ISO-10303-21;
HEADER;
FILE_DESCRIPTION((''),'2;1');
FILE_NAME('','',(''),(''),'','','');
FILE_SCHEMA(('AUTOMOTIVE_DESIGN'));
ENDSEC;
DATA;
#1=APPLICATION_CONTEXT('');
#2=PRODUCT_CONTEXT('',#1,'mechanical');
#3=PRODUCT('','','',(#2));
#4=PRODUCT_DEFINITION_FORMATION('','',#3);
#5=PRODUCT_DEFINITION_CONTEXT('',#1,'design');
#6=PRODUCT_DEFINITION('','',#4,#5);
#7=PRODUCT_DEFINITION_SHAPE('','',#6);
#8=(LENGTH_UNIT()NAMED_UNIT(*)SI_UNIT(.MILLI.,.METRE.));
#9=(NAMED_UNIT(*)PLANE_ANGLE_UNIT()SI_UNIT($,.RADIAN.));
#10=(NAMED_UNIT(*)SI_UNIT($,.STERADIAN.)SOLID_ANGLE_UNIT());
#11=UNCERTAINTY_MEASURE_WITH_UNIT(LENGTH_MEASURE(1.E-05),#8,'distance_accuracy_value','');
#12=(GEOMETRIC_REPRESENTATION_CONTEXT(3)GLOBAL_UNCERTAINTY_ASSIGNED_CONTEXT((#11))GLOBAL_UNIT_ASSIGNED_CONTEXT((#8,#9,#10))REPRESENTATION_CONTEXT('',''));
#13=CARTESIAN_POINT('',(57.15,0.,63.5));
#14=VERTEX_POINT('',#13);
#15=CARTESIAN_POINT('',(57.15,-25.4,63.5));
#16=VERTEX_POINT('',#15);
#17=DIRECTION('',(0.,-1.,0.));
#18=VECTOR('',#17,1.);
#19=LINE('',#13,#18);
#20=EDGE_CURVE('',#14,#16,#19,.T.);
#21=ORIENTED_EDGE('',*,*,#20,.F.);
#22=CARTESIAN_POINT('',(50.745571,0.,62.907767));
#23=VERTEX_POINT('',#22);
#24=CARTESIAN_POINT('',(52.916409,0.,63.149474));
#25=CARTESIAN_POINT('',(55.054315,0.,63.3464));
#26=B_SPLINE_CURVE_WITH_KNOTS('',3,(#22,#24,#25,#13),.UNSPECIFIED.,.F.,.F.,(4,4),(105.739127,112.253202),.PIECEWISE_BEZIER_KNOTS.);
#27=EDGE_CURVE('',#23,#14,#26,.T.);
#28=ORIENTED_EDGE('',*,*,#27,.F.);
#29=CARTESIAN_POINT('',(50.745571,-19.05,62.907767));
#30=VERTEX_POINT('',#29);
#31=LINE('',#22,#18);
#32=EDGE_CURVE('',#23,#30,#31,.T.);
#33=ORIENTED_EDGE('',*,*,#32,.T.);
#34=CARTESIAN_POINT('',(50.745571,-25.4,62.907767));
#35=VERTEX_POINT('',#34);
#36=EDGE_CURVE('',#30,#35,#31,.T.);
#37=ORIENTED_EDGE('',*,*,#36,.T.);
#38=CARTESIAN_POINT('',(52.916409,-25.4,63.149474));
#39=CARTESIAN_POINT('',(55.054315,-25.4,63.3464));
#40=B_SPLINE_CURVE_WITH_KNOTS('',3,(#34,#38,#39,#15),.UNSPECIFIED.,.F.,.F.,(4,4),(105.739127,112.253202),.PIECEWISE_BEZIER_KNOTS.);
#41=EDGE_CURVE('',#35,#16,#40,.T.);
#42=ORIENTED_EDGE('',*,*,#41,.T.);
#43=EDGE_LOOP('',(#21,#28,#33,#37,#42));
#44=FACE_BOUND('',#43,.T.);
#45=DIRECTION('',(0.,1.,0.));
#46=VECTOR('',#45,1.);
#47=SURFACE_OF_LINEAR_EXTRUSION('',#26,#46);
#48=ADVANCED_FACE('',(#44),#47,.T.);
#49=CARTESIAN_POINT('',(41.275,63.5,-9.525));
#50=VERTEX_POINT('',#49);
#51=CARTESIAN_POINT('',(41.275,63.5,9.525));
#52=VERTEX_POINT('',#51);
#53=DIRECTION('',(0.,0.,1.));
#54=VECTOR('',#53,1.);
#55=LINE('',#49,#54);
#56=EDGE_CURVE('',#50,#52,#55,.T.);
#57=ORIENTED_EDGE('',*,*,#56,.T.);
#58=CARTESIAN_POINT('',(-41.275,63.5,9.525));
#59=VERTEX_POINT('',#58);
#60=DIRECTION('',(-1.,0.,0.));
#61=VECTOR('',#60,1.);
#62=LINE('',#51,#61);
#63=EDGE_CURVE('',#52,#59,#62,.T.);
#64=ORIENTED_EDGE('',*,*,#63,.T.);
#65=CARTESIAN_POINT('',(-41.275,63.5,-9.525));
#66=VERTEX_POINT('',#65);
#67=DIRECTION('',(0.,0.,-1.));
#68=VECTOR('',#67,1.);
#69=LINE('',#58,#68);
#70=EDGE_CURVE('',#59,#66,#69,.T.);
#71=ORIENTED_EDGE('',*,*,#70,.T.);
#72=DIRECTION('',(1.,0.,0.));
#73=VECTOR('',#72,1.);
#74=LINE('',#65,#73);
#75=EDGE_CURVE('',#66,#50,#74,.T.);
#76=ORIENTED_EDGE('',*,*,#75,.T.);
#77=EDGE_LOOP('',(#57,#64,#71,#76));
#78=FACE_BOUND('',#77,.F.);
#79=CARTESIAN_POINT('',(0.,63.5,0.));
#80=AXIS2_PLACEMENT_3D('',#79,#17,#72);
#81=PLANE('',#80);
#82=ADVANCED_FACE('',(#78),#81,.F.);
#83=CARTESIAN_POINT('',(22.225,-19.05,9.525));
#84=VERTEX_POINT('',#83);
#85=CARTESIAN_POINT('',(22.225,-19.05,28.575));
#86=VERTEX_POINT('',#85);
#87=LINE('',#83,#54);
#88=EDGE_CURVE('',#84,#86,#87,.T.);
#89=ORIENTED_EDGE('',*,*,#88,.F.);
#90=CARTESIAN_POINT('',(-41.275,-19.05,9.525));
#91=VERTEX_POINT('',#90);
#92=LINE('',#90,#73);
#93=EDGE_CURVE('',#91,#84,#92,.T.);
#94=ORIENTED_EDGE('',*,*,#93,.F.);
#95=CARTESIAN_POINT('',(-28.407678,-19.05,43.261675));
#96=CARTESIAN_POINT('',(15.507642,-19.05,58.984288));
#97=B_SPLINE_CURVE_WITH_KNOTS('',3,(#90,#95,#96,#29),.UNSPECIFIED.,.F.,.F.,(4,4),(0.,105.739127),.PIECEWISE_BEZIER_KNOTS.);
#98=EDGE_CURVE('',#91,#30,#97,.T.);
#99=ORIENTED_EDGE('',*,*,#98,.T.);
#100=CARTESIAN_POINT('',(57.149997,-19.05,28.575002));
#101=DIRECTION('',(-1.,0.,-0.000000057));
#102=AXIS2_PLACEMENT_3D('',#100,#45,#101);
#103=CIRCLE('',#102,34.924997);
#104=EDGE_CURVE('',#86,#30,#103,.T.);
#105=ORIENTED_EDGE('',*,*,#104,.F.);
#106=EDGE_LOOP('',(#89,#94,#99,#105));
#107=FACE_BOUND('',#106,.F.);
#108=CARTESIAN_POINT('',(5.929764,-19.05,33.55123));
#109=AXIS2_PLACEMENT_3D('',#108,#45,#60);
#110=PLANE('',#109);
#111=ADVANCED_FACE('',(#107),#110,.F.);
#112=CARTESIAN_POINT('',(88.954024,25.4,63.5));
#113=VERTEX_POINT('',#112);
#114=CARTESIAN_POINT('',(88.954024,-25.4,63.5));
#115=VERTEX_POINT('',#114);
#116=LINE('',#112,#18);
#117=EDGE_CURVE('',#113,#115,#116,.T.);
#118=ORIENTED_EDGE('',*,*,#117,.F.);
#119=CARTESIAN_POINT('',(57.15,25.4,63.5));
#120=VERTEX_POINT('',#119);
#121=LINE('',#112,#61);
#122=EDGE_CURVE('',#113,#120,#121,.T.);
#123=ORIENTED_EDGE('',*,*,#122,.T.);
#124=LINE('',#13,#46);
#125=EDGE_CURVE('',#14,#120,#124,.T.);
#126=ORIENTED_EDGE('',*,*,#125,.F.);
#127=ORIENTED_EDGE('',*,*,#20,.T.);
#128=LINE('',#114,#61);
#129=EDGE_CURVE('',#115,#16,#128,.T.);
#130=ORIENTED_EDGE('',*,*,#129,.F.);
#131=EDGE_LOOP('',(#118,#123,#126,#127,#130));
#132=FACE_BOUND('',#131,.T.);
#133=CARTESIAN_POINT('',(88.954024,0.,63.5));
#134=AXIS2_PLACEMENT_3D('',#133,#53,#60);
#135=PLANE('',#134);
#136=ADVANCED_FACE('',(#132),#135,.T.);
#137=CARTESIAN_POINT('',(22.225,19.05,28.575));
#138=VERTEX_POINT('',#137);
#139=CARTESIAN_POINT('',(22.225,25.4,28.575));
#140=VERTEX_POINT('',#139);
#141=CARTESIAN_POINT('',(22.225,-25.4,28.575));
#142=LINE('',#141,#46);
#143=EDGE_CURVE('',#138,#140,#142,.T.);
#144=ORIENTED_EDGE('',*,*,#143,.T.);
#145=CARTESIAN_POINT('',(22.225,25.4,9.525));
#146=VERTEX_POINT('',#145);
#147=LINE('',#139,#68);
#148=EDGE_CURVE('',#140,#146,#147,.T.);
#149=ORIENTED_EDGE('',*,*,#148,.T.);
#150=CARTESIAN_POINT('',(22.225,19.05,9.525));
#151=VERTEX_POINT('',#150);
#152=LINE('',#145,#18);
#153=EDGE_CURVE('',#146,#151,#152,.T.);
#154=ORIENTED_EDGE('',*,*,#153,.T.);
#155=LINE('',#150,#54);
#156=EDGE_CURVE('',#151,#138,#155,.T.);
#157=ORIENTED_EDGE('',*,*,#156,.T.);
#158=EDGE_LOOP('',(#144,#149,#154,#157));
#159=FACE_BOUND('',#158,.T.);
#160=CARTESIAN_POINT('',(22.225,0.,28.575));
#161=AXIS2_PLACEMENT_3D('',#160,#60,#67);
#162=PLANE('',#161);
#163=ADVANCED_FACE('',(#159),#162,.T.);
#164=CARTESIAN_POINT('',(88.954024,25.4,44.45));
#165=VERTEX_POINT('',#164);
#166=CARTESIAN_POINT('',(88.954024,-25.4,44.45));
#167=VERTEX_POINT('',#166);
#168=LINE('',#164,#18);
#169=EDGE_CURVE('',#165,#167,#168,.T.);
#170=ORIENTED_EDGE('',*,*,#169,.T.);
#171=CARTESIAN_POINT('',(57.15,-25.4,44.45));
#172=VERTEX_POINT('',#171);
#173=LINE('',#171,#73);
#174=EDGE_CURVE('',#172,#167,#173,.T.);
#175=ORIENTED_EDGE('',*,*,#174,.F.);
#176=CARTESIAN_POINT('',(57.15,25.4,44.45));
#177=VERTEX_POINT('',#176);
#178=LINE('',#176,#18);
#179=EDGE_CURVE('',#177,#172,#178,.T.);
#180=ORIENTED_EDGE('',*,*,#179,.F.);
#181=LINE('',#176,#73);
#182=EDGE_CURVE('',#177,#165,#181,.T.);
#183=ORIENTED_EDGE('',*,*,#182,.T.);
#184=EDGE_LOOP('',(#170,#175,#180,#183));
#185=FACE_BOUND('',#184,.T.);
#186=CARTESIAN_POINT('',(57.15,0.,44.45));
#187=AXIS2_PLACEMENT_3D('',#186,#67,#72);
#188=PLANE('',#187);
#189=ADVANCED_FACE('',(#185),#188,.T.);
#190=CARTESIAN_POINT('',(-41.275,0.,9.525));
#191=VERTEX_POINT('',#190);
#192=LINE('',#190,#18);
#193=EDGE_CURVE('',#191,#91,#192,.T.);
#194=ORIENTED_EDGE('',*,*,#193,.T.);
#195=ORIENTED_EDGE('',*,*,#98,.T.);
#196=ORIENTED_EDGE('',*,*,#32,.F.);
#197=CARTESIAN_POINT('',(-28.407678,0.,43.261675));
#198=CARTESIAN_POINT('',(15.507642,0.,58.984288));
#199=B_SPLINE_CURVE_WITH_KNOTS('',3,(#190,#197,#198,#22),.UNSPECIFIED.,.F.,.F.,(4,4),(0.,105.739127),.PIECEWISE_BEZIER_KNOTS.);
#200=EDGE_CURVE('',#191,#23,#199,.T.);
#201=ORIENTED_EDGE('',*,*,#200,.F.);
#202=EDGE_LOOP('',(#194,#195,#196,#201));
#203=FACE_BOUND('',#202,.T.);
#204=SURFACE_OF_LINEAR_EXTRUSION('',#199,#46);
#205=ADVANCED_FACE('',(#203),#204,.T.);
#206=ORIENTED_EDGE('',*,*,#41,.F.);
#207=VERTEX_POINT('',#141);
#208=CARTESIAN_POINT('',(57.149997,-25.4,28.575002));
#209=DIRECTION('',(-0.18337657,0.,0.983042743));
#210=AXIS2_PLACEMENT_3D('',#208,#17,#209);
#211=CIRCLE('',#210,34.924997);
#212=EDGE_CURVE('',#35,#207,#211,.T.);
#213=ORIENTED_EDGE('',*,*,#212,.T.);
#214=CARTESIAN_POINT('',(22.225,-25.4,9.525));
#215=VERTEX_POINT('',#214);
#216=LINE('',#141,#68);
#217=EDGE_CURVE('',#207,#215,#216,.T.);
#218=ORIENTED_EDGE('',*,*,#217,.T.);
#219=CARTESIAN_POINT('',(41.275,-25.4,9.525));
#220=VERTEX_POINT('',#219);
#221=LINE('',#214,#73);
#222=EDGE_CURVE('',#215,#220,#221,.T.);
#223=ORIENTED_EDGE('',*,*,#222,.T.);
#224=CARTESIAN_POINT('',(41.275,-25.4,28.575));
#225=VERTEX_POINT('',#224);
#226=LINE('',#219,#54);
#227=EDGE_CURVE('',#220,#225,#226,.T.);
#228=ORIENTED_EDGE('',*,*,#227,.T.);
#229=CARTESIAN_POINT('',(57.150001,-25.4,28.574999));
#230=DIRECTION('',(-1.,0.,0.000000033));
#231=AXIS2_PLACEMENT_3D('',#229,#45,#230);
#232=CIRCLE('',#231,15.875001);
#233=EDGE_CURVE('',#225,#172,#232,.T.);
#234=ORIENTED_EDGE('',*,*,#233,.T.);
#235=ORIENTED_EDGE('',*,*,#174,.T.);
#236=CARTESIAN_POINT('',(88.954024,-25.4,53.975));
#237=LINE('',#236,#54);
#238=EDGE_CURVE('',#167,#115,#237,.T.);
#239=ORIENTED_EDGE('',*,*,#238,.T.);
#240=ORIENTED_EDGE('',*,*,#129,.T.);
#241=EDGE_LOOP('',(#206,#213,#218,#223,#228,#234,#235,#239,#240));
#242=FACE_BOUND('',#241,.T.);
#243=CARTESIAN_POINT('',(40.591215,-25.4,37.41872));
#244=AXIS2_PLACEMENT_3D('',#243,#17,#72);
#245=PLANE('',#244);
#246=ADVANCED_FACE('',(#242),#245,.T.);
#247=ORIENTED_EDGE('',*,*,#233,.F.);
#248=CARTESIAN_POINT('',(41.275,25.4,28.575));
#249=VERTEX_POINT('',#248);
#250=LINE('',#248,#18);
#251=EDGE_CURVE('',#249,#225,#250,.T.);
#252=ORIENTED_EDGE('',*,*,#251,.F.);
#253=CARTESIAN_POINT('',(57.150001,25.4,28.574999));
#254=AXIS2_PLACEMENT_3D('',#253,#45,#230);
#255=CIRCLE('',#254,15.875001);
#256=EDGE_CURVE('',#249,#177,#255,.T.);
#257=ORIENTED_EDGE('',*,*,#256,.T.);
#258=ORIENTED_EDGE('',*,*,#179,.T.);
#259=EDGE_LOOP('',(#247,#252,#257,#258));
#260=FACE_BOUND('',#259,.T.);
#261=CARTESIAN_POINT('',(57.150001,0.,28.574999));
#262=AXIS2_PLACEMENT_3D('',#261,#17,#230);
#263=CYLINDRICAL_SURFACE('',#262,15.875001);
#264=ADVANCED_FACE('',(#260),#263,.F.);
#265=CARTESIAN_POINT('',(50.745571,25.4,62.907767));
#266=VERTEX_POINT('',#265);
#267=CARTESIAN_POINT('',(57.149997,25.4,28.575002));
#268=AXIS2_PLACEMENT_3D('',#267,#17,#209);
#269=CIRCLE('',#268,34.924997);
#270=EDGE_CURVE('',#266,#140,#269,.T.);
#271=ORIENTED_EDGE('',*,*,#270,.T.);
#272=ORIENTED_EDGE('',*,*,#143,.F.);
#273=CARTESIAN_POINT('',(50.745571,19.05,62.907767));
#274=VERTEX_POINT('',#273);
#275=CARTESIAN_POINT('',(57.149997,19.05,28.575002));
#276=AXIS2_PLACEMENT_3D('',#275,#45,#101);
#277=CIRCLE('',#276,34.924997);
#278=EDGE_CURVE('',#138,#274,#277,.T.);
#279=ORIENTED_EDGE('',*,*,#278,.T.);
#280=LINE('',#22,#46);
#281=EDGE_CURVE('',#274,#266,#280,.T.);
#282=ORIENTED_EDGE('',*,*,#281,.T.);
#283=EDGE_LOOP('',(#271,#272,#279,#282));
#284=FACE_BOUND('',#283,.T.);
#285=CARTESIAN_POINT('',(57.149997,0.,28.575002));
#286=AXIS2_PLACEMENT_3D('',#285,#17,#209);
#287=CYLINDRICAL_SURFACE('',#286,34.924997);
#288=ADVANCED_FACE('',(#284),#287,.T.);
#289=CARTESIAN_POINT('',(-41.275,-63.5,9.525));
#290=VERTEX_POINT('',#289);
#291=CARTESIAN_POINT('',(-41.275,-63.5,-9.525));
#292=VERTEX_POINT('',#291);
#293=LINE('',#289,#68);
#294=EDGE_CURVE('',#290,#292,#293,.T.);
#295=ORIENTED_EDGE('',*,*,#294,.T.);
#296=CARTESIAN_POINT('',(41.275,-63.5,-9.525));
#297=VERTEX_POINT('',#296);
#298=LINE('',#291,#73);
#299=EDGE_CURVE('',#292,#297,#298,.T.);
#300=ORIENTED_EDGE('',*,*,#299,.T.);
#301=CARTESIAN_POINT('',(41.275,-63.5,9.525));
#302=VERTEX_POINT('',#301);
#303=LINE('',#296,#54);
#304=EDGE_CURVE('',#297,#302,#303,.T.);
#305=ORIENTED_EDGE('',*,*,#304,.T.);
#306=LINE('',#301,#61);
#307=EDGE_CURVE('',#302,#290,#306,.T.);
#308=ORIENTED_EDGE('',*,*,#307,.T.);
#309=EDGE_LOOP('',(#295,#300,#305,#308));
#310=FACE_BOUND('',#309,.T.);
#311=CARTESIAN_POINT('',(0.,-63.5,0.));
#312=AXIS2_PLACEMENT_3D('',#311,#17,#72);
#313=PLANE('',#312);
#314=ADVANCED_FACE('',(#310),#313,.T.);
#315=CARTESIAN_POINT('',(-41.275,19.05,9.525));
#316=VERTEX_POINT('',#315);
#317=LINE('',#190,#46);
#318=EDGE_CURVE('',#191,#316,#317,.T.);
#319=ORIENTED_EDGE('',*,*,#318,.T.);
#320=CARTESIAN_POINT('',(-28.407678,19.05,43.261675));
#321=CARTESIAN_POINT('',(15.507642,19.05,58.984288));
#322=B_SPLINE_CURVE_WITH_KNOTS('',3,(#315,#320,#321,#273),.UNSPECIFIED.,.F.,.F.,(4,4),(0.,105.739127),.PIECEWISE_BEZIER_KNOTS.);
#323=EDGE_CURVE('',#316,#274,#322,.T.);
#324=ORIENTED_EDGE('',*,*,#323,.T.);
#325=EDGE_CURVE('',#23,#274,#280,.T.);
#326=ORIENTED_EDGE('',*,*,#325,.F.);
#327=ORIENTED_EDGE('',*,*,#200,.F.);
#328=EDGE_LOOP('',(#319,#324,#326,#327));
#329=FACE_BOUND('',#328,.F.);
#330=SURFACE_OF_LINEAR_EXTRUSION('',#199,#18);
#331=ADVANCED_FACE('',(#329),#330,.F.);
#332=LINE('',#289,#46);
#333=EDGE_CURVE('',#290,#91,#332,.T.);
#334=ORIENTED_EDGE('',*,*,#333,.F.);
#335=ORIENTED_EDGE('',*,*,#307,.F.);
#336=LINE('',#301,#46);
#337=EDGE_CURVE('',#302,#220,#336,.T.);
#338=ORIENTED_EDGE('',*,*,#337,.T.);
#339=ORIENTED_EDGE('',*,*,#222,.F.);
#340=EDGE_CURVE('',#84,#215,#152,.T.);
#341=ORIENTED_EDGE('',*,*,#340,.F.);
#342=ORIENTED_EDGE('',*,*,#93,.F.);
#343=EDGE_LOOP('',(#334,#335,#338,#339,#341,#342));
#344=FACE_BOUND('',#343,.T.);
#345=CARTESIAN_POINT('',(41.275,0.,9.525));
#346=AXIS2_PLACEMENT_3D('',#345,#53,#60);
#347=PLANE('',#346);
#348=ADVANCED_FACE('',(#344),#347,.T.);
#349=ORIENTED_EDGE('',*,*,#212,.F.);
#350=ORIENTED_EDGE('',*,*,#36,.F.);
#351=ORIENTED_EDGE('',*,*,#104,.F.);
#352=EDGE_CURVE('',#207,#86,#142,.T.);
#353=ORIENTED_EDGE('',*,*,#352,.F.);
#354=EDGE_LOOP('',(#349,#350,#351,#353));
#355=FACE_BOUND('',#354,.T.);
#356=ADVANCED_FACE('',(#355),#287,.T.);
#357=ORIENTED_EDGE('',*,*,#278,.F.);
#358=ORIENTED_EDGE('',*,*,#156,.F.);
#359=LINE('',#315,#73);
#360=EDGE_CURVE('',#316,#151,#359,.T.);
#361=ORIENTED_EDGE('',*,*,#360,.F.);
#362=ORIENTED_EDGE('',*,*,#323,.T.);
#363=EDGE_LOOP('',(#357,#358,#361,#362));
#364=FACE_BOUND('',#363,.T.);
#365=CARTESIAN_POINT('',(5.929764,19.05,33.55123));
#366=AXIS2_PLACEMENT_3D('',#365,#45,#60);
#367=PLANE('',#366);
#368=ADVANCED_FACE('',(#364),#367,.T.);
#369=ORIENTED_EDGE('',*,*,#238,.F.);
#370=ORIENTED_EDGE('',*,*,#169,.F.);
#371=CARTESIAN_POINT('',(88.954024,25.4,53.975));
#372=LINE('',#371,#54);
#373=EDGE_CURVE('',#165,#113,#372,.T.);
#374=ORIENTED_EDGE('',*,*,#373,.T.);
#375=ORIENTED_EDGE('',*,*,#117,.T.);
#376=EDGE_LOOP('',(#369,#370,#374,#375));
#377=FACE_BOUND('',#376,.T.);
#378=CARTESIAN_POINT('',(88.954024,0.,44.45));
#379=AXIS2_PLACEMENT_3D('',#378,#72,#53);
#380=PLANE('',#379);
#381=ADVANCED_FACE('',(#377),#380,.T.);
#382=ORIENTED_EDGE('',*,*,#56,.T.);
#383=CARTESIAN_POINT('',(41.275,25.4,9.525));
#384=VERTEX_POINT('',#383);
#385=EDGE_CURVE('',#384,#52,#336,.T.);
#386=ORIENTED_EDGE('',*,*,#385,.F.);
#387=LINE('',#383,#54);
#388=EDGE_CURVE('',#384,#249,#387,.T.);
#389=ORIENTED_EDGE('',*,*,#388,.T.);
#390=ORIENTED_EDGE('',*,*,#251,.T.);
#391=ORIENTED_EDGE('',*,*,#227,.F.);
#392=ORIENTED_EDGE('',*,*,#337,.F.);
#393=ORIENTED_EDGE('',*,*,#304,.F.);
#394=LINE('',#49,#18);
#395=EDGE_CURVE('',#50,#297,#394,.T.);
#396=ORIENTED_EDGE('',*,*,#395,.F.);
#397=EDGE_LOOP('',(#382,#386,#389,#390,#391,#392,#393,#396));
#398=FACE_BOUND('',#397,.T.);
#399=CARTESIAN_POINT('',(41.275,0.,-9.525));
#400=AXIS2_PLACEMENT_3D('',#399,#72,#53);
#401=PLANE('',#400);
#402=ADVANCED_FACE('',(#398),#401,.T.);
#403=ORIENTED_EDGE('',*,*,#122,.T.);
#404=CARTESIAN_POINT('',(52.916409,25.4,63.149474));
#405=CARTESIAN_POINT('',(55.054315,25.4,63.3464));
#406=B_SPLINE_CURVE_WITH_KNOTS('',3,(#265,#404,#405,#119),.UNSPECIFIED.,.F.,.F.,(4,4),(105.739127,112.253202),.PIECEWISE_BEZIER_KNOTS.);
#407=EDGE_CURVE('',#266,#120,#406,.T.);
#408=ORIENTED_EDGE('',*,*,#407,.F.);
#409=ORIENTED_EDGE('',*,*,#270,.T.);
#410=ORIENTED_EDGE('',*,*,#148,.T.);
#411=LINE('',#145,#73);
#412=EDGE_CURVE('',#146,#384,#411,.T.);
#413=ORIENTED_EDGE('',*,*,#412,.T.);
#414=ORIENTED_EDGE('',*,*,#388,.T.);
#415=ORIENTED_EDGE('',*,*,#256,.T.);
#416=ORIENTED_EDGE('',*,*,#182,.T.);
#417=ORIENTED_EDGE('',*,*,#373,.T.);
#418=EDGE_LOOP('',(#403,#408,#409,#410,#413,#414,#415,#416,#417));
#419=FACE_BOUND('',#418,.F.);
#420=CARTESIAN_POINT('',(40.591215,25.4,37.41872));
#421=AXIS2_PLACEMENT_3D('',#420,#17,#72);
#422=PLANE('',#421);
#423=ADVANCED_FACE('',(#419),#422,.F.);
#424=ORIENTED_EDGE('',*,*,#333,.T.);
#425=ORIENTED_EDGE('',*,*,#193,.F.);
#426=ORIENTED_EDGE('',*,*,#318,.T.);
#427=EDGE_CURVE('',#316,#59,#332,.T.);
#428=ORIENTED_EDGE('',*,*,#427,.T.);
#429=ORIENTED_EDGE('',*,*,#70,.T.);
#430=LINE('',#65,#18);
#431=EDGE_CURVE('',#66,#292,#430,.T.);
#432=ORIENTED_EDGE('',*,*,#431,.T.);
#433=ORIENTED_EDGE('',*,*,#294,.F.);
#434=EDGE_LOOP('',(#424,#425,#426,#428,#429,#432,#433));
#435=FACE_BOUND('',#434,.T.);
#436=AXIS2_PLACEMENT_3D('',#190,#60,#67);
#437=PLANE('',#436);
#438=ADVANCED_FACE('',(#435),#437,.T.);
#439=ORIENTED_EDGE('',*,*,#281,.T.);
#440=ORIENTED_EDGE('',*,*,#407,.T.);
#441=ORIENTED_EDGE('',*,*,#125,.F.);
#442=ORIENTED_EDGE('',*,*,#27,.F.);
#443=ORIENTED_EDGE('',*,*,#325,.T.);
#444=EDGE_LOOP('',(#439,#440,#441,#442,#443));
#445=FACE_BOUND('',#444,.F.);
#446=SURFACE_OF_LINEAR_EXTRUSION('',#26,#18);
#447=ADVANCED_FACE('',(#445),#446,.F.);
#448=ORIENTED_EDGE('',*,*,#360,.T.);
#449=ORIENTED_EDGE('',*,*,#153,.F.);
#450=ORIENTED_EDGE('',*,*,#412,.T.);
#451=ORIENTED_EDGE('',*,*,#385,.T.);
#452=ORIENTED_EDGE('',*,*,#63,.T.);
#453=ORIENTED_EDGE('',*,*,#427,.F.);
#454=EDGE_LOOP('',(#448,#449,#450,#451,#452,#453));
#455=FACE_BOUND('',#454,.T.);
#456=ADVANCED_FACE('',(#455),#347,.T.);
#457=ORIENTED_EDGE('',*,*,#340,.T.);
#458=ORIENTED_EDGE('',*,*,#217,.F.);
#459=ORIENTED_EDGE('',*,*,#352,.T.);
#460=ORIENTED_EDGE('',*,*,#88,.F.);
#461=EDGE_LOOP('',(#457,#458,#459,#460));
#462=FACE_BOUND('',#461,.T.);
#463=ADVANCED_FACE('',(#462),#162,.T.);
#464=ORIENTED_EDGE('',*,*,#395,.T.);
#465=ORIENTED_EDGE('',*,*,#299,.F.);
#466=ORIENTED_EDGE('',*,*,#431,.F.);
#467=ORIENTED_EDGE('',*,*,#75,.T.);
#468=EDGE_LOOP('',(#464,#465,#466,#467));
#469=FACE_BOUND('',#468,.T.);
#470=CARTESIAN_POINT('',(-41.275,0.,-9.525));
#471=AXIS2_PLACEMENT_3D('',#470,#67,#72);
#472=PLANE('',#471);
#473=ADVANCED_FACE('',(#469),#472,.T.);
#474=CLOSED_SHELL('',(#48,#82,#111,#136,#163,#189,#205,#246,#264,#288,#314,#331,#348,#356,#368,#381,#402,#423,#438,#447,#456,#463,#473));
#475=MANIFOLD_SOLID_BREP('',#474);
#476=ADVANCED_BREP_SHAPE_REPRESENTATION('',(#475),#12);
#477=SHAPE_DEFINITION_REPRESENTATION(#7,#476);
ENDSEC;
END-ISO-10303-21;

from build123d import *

# Parameters (mm, degrees)
F1_DEPTH = 63.5
F0_W     = 26.390754
F0_H     = 19.05
F2_DEPTH = 25.4
F3_DEPTH = 19.05


with BuildPart() as f1:
    # F0 (on Front) → F1 (new body, symmetric)
    with BuildSketch(Plane.XZ):
        Polygon((22.225, 9.525), (-41.275, 9.525), (-41.275, -9.525), (41.275, -9.525), (41.275, 9.525), align=None)
    extrude(amount=F1_DEPTH, both=True)

    # F0 (on Front) → F2 (join, symmetric)
    with BuildSketch(Plane.XZ):
        with BuildLine():
            Line((22.225, 28.575), (22.225, 9.525))
            Line((22.225, 9.525), (41.275, 9.525))
            Line((41.275, 9.525), (41.275, 28.575))
            ThreePointArc((41.275, 28.575), (45.92468, 39.80032), (57.15, 44.45))
            Line((57.15, 44.45), (62.56327, 44.45))
            Line((62.56327, 44.45), (62.56327, 63.5))
            Line((62.56327, 63.5), (57.15, 63.5))
            add(Edge.make_bspline(
                [(50.745571, 62.907767), (52.916409, 63.149474), (55.054315, 63.3464), (57.15, 63.5)],
                knots=[105.739127, 105.739127, 105.739127, 105.739127, 112.253202, 112.253202, 112.253202, 112.253202], degree=3))
            ThreePointArc((50.745571, 62.907767), (30.285243, 50.891821), (22.225, 28.575))
        make_face()
        with Locations((75.758647, 53.975)):
            Rectangle(F0_W, F0_H)
    extrude(amount=F2_DEPTH, both=True)

    # F0 (on Front) → F3 (join, symmetric)
    with BuildSketch(Plane.XZ):
        with BuildLine():
            add(Edge.make_bspline(
                [(-41.275, 9.525), (-28.407678, 43.261675), (15.507642, 58.984288), (50.745571, 62.907767)],
                knots=[0, 0, 0, 0, 105.739127, 105.739127, 105.739127, 105.739127], degree=3))
            Line((-41.275, 9.525), (22.225, 9.525))
            Line((22.225, 9.525), (22.225, 28.575))
            ThreePointArc((22.225, 28.575), (30.285243, 50.891821), (50.745571, 62.907767))
        make_face()
    extrude(amount=F3_DEPTH, both=True)


solid = f1.part
